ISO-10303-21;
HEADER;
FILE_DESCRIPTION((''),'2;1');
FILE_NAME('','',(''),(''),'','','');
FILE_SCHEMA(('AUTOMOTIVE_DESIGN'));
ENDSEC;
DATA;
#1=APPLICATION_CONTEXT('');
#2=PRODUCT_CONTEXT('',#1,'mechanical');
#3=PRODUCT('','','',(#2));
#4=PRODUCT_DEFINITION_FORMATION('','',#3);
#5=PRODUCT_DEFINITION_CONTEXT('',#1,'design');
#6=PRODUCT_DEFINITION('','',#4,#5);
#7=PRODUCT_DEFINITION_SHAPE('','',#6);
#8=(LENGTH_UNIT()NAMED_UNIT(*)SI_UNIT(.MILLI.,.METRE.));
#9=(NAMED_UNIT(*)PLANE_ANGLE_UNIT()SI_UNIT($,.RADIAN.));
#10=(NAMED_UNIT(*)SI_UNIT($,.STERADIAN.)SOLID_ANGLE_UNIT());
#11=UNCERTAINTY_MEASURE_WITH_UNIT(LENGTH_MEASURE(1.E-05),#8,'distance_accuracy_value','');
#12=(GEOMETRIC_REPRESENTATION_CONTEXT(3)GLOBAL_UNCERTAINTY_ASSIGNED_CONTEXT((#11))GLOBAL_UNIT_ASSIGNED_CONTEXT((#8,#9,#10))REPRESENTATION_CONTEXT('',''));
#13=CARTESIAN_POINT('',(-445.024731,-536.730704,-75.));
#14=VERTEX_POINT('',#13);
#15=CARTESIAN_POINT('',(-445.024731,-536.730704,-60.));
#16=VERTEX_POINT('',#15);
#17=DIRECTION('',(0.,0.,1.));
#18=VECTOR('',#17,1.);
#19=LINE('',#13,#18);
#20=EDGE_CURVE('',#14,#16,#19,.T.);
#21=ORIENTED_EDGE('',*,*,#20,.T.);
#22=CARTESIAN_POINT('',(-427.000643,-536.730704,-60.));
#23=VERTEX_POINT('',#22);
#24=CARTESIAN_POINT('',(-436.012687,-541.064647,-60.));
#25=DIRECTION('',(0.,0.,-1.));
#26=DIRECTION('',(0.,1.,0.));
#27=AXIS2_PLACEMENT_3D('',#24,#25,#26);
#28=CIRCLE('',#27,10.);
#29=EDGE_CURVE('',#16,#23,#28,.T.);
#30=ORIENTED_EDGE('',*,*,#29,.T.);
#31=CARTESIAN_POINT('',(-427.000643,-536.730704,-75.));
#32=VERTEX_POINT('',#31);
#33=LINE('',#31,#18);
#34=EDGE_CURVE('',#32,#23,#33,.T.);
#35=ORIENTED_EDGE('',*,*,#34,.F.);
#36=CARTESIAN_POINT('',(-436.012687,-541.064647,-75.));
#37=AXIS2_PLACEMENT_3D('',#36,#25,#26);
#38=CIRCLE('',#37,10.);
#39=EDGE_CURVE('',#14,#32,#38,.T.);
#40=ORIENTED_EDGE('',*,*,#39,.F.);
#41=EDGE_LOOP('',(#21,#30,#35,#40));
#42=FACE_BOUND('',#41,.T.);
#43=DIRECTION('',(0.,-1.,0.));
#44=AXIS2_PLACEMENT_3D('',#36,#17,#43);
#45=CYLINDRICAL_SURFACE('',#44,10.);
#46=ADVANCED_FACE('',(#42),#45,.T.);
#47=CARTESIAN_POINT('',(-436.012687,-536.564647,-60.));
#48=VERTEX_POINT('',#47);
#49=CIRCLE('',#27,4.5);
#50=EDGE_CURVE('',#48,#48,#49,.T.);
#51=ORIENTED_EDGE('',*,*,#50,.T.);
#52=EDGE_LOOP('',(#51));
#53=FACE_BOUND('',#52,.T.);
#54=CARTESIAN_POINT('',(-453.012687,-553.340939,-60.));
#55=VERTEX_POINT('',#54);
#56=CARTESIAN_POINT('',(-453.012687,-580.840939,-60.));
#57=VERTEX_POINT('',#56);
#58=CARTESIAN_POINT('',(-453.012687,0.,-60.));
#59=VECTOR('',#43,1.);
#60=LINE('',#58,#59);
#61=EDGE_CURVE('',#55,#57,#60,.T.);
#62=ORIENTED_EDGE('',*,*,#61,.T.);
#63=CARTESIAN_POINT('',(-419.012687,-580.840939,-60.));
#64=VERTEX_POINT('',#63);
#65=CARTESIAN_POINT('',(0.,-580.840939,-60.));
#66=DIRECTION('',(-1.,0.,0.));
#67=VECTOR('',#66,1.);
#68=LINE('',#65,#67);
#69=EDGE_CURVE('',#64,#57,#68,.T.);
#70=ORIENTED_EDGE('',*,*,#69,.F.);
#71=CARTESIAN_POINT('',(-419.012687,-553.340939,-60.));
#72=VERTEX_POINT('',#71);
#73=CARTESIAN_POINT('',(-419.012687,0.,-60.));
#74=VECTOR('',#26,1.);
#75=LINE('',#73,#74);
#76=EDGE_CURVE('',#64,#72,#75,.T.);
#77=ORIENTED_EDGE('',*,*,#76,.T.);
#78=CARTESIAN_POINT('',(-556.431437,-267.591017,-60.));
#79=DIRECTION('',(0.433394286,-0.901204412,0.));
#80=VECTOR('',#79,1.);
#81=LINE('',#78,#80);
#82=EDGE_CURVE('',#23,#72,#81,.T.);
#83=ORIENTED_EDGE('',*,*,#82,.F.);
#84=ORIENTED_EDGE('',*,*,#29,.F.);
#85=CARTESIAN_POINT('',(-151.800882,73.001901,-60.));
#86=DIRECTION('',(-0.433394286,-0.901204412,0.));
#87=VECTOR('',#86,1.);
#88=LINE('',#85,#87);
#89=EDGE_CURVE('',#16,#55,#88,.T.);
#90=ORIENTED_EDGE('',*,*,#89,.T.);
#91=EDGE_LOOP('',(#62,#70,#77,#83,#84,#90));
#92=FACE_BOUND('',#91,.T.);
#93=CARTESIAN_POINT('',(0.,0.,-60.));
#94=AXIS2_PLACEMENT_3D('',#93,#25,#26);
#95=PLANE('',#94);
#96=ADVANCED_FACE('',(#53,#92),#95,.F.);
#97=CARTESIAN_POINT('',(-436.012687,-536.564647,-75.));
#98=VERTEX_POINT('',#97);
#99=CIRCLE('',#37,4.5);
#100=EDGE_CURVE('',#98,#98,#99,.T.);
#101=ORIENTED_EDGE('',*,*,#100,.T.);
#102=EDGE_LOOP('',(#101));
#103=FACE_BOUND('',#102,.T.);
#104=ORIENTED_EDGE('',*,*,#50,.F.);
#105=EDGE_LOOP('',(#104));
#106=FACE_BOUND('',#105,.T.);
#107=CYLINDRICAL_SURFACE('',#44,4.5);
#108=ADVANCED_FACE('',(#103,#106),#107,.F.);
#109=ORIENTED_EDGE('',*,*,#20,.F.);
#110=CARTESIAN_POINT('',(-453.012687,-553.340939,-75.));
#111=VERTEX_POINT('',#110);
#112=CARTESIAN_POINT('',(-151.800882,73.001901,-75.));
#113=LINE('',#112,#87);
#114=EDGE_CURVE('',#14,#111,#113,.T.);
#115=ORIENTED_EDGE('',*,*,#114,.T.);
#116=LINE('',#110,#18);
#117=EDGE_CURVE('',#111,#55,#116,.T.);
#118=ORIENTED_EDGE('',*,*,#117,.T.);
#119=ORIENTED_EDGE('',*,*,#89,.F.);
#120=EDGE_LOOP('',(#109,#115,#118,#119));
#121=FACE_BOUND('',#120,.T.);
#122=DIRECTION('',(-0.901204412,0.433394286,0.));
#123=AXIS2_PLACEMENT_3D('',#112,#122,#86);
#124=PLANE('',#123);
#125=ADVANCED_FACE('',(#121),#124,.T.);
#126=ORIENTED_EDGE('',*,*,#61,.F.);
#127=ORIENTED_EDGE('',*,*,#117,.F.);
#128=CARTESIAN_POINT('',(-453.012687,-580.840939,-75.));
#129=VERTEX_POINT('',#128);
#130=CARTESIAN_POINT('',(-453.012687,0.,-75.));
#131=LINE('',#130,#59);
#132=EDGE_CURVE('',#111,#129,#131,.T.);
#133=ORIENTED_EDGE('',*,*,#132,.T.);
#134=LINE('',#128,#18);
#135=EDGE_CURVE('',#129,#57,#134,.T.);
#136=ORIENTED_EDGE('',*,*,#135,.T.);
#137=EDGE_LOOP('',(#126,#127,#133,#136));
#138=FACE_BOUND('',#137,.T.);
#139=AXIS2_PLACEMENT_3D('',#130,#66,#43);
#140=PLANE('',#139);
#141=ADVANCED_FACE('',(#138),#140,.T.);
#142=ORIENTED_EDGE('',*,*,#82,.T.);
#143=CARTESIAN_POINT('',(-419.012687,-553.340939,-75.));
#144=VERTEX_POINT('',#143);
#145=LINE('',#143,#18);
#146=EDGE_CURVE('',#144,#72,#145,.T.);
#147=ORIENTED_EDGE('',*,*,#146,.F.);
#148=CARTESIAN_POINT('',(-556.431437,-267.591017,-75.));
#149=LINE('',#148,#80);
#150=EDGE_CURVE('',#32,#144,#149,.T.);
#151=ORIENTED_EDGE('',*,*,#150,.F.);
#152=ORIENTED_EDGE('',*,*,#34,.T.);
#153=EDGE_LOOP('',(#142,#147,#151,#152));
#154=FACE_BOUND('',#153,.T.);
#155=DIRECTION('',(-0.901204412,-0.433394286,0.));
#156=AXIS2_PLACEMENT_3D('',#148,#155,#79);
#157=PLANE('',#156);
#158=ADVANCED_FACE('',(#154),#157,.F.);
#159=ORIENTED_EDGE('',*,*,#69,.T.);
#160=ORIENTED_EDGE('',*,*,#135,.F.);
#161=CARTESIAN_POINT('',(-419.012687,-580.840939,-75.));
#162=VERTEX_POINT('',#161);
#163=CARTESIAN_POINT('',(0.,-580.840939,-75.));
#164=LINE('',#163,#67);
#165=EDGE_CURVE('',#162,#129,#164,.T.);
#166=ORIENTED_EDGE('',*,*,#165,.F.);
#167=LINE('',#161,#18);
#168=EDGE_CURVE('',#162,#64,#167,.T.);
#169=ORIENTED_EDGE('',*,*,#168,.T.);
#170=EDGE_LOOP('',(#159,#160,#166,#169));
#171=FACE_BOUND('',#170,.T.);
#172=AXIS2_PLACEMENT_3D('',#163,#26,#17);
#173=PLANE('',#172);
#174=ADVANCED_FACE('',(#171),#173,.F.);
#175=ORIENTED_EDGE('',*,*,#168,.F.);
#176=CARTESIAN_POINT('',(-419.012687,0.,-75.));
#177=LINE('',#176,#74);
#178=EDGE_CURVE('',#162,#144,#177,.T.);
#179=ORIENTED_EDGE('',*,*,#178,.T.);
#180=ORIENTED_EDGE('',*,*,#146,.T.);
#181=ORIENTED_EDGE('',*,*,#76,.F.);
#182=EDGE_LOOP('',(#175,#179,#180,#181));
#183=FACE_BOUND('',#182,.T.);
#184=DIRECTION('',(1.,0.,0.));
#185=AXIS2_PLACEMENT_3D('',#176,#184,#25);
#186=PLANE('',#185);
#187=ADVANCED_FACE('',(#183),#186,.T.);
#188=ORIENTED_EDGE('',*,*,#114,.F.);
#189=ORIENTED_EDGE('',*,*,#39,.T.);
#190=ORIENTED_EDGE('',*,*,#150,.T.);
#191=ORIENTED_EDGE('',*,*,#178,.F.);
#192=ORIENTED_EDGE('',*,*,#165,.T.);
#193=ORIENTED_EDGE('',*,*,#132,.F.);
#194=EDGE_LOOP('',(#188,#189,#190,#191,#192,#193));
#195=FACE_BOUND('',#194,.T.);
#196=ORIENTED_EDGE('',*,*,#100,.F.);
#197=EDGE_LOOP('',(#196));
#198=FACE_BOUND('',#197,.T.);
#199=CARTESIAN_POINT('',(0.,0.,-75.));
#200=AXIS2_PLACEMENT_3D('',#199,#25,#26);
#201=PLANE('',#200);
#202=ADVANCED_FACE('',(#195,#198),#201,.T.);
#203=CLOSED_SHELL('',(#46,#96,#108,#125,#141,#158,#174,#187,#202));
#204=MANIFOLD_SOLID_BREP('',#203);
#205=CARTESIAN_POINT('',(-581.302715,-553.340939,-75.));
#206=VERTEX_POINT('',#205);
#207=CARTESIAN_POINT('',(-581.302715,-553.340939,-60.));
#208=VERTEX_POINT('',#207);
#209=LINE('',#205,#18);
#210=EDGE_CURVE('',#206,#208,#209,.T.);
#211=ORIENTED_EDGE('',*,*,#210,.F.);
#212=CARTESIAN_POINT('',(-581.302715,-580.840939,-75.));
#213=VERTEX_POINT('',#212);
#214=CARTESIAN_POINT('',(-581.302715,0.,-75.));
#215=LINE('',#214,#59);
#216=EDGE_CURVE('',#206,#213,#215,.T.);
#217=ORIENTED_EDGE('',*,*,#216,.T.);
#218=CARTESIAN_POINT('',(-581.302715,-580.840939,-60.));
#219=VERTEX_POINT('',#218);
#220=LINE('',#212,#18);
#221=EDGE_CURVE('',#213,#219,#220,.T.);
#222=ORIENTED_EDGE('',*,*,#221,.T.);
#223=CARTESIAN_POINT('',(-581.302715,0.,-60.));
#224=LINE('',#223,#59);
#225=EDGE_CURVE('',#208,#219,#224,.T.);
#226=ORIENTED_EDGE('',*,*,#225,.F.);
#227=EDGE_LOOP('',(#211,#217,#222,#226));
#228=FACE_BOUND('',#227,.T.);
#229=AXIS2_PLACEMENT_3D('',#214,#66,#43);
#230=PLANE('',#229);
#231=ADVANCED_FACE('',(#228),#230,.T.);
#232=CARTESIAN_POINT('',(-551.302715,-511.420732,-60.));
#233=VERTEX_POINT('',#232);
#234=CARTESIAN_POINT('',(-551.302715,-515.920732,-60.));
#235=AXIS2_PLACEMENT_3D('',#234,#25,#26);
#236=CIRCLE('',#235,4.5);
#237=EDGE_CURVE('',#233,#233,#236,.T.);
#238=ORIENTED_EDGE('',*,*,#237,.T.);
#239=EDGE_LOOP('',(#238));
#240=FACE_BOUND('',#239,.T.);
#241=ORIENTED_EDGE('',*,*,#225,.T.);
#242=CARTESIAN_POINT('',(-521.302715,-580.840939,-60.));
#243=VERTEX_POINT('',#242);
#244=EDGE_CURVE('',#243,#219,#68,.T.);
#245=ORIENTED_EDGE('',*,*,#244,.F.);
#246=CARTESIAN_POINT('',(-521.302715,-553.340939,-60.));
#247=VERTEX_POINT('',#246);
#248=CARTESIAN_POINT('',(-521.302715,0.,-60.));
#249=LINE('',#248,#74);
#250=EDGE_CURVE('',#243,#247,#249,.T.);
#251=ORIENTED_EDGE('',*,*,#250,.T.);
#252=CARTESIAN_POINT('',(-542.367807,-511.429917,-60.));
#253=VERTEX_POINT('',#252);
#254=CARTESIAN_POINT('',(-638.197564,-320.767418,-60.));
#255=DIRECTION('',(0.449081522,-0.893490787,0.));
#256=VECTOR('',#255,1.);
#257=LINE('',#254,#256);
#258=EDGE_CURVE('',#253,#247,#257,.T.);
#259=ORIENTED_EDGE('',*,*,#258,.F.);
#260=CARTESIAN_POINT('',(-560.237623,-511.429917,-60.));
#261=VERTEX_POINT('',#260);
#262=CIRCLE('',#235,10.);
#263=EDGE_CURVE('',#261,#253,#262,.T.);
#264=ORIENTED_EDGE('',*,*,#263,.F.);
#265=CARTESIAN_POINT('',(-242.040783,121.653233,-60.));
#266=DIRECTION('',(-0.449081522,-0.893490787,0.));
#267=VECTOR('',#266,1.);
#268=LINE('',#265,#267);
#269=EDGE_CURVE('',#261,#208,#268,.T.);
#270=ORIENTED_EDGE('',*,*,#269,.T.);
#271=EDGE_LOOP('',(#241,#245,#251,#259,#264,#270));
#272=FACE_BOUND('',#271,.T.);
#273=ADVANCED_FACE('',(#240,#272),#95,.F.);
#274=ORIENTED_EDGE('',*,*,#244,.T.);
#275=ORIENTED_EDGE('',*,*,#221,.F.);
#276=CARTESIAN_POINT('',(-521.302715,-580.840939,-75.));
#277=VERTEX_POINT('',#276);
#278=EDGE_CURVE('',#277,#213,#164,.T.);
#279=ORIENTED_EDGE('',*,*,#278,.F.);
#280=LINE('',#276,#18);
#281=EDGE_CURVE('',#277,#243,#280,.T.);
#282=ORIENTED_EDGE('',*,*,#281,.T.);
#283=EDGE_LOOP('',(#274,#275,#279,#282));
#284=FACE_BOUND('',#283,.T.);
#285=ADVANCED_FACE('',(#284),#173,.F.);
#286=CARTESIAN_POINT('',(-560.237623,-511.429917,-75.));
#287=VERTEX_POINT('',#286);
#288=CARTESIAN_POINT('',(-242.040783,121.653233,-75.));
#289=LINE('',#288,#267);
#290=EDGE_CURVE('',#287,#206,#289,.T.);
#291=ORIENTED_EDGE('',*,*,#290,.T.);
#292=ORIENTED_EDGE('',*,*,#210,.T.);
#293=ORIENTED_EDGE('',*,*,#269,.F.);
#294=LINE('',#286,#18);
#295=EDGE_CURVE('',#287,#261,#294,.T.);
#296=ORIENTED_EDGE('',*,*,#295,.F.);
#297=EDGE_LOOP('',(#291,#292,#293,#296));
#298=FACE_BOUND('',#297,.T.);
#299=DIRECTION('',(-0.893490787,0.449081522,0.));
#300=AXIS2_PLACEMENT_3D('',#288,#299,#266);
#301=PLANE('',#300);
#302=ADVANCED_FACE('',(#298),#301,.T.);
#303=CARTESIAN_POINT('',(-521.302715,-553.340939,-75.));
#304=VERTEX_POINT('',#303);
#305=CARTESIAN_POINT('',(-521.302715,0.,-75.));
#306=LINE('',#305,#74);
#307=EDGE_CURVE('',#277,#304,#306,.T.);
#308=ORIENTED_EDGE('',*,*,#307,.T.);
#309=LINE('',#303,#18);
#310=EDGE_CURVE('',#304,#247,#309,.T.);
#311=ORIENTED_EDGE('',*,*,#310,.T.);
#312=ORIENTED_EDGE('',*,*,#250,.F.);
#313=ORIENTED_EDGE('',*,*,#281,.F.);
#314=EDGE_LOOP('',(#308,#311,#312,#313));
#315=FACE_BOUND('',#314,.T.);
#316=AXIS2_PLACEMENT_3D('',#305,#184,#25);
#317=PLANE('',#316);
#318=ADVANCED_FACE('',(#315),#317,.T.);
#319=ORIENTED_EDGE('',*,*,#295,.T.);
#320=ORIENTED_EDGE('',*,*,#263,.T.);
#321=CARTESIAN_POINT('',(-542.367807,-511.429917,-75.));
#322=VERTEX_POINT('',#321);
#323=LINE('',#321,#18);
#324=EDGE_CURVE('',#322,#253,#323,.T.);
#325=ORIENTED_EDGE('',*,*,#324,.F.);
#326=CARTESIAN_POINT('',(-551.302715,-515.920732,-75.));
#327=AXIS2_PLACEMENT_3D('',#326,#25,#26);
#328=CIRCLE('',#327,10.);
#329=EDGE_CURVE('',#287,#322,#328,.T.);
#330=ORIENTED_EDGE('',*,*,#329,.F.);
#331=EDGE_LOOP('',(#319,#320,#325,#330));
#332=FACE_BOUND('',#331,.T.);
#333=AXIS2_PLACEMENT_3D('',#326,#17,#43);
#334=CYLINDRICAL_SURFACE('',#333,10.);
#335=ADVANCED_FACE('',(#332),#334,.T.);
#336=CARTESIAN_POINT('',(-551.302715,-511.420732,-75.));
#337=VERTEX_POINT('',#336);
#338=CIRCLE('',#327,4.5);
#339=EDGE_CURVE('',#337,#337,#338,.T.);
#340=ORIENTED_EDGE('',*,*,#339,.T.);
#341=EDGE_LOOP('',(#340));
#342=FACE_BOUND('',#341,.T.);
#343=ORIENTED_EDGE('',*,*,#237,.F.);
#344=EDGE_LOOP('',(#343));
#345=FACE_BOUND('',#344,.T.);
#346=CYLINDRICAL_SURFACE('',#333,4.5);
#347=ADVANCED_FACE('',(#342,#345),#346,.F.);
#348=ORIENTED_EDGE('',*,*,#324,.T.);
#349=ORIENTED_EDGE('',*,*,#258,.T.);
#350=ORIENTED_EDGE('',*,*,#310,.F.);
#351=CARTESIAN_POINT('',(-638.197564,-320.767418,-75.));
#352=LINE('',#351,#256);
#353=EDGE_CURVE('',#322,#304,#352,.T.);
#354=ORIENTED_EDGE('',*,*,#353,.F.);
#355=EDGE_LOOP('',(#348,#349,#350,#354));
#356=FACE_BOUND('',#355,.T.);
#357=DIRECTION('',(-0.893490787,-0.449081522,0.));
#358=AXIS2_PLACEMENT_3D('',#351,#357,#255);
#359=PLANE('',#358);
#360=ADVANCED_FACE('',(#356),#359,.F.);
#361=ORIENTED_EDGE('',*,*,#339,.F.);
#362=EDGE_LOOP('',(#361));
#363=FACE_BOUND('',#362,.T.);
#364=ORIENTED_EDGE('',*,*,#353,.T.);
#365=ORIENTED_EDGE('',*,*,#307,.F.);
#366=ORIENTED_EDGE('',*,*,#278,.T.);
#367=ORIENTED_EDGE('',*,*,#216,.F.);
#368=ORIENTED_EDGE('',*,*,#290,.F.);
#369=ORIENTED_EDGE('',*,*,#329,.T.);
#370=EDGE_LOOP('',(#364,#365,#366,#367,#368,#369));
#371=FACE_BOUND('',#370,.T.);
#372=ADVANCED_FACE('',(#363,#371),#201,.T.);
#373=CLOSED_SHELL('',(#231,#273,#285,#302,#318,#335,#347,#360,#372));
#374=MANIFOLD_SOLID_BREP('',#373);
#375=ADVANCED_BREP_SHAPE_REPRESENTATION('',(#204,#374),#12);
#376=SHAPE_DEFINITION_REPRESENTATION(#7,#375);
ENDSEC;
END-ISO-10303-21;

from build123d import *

# Parameters (mm, degrees)
SKETCH3_R           = 10
SKETCH3_W           = 34
SKETCH3_H           = 2.5
SKETCH3_H_2         = 25
SKETCH3_W_2         = 60
BOSS_EXTRUDE1_DEPTH = 15


with BuildPart() as part:
    # Sketch3 → Boss-Extrude1 (new body)
    # profile 1 of 8: a face of its own
    with BuildSketch(Plane(origin=(0, 0, -60), x_dir=(-1, 0, 0), z_dir=(0, 0, -1))):
        with BuildLine():
            Line((521.302714664, -553.340939136), (581.302714664, -553.340939136))
            Line((581.302714664, -553.340939136), (560.237622535, -511.429916687))
            ThreePointArc((560.237622535, -511.429916687), (561.032798905, -513.613035946), (561.302714664, -515.920731906))
            ThreePointArc((561.302714664, -515.920731906), (548.995018703, -525.650816148), (542.367806792, -511.429916687))
            Line((542.367806792, -511.429916687), (521.302714664, -553.340939136))
        make_face()
    # profile 2 of 8: a face of its own
    with BuildSketch(Plane(origin=(0, 0, -60), x_dir=(-1, 0, 0), z_dir=(0, 0, -1))):
        with Locations((551.302714664, -515.920731906)):
            Circle(SKETCH3_R)
        with BuildLine():
            add(Edge.make_bspline(
                [(555.699368258, -514.961859042), (553.78162253, -506.168551853), (544.98831534, -508.086297582), (546.906061069, -516.879604771), (548.823806798, -525.67291196), (557.617113987, -523.755166231), (555.699368258, -514.961859042)],
                knots=[0, 0, 0, 0, 0.5, 0.5, 0.5, 1, 1, 1, 1], degree=3, weights=[1, 0.333333333, 0.333333333, 1, 0.333333333, 0.333333333, 1]))
        make_face(mode=Mode.SUBTRACT)
    # profile 3 of 8: a face of its own
    with BuildSketch(Plane(origin=(0, 0, -60), x_dir=(-1, 0, 0), z_dir=(0, 0, -1))):
        with Locations((436.012687074, -541.064646672)):
            Circle(SKETCH3_R)
        with BuildLine():
            add(Edge.make_bspline(
                [(440.409340668, -540.105773808), (438.49159494, -531.312466619), (429.698287751, -533.230212348), (431.616033479, -542.023519537), (433.533779208, -550.816826726), (442.327086397, -548.899080997), (440.409340668, -540.105773808)],
                knots=[0, 0, 0, 0, 0.5, 0.5, 0.5, 1, 1, 1, 1], degree=3, weights=[1, 0.333333333, 0.333333333, 1, 0.333333333, 0.333333333, 1]))
        make_face(mode=Mode.SUBTRACT)
    # profile 4 of 8: a face of its own
    with BuildSketch(Plane(origin=(0, 0, -60), x_dir=(-1, 0, 0), z_dir=(0, 0, -1))):
        with BuildLine():
            Line((419.012687074, -553.340939136), (453.012687074, -553.340939136))
            Line((453.012687074, -553.340939136), (445.024731197, -536.730703811))
            ThreePointArc((445.024731197, -536.730703811), (445.762570182, -538.842085225), (446.012687074, -541.064646672))
            ThreePointArc((446.012687074, -541.064646672), (433.790125627, -550.81452978), (427.000642951, -536.730703811))
            Line((427.000642951, -536.730703811), (419.012687074, -553.340939136))
        make_face()
    # profile 5 of 8: a face of its own
    with BuildSketch(Plane(origin=(0, 0, -60), x_dir=(-1, 0, 0), z_dir=(0, 0, -1))):
        with Locations((436.012687074, -554.590939136)):
            Rectangle(SKETCH3_W, SKETCH3_H)
    # profile 6 of 8: a face of its own
    with BuildSketch(Plane(origin=(0, 0, -60), x_dir=(-1, 0, 0), z_dir=(0, 0, -1))):
        with Locations((436.012687074, -568.340939136)):
            Rectangle(SKETCH3_W, SKETCH3_H_2)
    # profile 7 of 8: a face of its own
    with BuildSketch(Plane(origin=(0, 0, -60), x_dir=(-1, 0, 0), z_dir=(0, 0, -1))):
        with Locations((551.302714664, -554.590939136)):
            Rectangle(SKETCH3_W_2, SKETCH3_H)
    # profile 8 of 8: a face of its own
    with BuildSketch(Plane(origin=(0, 0, -60), x_dir=(-1, 0, 0), z_dir=(0, 0, -1))):
        with Locations((551.302714664, -568.340939136)):
            Rectangle(SKETCH3_W_2, SKETCH3_H_2)
    extrude(amount=BOSS_EXTRUDE1_DEPTH)


solid = part.part
